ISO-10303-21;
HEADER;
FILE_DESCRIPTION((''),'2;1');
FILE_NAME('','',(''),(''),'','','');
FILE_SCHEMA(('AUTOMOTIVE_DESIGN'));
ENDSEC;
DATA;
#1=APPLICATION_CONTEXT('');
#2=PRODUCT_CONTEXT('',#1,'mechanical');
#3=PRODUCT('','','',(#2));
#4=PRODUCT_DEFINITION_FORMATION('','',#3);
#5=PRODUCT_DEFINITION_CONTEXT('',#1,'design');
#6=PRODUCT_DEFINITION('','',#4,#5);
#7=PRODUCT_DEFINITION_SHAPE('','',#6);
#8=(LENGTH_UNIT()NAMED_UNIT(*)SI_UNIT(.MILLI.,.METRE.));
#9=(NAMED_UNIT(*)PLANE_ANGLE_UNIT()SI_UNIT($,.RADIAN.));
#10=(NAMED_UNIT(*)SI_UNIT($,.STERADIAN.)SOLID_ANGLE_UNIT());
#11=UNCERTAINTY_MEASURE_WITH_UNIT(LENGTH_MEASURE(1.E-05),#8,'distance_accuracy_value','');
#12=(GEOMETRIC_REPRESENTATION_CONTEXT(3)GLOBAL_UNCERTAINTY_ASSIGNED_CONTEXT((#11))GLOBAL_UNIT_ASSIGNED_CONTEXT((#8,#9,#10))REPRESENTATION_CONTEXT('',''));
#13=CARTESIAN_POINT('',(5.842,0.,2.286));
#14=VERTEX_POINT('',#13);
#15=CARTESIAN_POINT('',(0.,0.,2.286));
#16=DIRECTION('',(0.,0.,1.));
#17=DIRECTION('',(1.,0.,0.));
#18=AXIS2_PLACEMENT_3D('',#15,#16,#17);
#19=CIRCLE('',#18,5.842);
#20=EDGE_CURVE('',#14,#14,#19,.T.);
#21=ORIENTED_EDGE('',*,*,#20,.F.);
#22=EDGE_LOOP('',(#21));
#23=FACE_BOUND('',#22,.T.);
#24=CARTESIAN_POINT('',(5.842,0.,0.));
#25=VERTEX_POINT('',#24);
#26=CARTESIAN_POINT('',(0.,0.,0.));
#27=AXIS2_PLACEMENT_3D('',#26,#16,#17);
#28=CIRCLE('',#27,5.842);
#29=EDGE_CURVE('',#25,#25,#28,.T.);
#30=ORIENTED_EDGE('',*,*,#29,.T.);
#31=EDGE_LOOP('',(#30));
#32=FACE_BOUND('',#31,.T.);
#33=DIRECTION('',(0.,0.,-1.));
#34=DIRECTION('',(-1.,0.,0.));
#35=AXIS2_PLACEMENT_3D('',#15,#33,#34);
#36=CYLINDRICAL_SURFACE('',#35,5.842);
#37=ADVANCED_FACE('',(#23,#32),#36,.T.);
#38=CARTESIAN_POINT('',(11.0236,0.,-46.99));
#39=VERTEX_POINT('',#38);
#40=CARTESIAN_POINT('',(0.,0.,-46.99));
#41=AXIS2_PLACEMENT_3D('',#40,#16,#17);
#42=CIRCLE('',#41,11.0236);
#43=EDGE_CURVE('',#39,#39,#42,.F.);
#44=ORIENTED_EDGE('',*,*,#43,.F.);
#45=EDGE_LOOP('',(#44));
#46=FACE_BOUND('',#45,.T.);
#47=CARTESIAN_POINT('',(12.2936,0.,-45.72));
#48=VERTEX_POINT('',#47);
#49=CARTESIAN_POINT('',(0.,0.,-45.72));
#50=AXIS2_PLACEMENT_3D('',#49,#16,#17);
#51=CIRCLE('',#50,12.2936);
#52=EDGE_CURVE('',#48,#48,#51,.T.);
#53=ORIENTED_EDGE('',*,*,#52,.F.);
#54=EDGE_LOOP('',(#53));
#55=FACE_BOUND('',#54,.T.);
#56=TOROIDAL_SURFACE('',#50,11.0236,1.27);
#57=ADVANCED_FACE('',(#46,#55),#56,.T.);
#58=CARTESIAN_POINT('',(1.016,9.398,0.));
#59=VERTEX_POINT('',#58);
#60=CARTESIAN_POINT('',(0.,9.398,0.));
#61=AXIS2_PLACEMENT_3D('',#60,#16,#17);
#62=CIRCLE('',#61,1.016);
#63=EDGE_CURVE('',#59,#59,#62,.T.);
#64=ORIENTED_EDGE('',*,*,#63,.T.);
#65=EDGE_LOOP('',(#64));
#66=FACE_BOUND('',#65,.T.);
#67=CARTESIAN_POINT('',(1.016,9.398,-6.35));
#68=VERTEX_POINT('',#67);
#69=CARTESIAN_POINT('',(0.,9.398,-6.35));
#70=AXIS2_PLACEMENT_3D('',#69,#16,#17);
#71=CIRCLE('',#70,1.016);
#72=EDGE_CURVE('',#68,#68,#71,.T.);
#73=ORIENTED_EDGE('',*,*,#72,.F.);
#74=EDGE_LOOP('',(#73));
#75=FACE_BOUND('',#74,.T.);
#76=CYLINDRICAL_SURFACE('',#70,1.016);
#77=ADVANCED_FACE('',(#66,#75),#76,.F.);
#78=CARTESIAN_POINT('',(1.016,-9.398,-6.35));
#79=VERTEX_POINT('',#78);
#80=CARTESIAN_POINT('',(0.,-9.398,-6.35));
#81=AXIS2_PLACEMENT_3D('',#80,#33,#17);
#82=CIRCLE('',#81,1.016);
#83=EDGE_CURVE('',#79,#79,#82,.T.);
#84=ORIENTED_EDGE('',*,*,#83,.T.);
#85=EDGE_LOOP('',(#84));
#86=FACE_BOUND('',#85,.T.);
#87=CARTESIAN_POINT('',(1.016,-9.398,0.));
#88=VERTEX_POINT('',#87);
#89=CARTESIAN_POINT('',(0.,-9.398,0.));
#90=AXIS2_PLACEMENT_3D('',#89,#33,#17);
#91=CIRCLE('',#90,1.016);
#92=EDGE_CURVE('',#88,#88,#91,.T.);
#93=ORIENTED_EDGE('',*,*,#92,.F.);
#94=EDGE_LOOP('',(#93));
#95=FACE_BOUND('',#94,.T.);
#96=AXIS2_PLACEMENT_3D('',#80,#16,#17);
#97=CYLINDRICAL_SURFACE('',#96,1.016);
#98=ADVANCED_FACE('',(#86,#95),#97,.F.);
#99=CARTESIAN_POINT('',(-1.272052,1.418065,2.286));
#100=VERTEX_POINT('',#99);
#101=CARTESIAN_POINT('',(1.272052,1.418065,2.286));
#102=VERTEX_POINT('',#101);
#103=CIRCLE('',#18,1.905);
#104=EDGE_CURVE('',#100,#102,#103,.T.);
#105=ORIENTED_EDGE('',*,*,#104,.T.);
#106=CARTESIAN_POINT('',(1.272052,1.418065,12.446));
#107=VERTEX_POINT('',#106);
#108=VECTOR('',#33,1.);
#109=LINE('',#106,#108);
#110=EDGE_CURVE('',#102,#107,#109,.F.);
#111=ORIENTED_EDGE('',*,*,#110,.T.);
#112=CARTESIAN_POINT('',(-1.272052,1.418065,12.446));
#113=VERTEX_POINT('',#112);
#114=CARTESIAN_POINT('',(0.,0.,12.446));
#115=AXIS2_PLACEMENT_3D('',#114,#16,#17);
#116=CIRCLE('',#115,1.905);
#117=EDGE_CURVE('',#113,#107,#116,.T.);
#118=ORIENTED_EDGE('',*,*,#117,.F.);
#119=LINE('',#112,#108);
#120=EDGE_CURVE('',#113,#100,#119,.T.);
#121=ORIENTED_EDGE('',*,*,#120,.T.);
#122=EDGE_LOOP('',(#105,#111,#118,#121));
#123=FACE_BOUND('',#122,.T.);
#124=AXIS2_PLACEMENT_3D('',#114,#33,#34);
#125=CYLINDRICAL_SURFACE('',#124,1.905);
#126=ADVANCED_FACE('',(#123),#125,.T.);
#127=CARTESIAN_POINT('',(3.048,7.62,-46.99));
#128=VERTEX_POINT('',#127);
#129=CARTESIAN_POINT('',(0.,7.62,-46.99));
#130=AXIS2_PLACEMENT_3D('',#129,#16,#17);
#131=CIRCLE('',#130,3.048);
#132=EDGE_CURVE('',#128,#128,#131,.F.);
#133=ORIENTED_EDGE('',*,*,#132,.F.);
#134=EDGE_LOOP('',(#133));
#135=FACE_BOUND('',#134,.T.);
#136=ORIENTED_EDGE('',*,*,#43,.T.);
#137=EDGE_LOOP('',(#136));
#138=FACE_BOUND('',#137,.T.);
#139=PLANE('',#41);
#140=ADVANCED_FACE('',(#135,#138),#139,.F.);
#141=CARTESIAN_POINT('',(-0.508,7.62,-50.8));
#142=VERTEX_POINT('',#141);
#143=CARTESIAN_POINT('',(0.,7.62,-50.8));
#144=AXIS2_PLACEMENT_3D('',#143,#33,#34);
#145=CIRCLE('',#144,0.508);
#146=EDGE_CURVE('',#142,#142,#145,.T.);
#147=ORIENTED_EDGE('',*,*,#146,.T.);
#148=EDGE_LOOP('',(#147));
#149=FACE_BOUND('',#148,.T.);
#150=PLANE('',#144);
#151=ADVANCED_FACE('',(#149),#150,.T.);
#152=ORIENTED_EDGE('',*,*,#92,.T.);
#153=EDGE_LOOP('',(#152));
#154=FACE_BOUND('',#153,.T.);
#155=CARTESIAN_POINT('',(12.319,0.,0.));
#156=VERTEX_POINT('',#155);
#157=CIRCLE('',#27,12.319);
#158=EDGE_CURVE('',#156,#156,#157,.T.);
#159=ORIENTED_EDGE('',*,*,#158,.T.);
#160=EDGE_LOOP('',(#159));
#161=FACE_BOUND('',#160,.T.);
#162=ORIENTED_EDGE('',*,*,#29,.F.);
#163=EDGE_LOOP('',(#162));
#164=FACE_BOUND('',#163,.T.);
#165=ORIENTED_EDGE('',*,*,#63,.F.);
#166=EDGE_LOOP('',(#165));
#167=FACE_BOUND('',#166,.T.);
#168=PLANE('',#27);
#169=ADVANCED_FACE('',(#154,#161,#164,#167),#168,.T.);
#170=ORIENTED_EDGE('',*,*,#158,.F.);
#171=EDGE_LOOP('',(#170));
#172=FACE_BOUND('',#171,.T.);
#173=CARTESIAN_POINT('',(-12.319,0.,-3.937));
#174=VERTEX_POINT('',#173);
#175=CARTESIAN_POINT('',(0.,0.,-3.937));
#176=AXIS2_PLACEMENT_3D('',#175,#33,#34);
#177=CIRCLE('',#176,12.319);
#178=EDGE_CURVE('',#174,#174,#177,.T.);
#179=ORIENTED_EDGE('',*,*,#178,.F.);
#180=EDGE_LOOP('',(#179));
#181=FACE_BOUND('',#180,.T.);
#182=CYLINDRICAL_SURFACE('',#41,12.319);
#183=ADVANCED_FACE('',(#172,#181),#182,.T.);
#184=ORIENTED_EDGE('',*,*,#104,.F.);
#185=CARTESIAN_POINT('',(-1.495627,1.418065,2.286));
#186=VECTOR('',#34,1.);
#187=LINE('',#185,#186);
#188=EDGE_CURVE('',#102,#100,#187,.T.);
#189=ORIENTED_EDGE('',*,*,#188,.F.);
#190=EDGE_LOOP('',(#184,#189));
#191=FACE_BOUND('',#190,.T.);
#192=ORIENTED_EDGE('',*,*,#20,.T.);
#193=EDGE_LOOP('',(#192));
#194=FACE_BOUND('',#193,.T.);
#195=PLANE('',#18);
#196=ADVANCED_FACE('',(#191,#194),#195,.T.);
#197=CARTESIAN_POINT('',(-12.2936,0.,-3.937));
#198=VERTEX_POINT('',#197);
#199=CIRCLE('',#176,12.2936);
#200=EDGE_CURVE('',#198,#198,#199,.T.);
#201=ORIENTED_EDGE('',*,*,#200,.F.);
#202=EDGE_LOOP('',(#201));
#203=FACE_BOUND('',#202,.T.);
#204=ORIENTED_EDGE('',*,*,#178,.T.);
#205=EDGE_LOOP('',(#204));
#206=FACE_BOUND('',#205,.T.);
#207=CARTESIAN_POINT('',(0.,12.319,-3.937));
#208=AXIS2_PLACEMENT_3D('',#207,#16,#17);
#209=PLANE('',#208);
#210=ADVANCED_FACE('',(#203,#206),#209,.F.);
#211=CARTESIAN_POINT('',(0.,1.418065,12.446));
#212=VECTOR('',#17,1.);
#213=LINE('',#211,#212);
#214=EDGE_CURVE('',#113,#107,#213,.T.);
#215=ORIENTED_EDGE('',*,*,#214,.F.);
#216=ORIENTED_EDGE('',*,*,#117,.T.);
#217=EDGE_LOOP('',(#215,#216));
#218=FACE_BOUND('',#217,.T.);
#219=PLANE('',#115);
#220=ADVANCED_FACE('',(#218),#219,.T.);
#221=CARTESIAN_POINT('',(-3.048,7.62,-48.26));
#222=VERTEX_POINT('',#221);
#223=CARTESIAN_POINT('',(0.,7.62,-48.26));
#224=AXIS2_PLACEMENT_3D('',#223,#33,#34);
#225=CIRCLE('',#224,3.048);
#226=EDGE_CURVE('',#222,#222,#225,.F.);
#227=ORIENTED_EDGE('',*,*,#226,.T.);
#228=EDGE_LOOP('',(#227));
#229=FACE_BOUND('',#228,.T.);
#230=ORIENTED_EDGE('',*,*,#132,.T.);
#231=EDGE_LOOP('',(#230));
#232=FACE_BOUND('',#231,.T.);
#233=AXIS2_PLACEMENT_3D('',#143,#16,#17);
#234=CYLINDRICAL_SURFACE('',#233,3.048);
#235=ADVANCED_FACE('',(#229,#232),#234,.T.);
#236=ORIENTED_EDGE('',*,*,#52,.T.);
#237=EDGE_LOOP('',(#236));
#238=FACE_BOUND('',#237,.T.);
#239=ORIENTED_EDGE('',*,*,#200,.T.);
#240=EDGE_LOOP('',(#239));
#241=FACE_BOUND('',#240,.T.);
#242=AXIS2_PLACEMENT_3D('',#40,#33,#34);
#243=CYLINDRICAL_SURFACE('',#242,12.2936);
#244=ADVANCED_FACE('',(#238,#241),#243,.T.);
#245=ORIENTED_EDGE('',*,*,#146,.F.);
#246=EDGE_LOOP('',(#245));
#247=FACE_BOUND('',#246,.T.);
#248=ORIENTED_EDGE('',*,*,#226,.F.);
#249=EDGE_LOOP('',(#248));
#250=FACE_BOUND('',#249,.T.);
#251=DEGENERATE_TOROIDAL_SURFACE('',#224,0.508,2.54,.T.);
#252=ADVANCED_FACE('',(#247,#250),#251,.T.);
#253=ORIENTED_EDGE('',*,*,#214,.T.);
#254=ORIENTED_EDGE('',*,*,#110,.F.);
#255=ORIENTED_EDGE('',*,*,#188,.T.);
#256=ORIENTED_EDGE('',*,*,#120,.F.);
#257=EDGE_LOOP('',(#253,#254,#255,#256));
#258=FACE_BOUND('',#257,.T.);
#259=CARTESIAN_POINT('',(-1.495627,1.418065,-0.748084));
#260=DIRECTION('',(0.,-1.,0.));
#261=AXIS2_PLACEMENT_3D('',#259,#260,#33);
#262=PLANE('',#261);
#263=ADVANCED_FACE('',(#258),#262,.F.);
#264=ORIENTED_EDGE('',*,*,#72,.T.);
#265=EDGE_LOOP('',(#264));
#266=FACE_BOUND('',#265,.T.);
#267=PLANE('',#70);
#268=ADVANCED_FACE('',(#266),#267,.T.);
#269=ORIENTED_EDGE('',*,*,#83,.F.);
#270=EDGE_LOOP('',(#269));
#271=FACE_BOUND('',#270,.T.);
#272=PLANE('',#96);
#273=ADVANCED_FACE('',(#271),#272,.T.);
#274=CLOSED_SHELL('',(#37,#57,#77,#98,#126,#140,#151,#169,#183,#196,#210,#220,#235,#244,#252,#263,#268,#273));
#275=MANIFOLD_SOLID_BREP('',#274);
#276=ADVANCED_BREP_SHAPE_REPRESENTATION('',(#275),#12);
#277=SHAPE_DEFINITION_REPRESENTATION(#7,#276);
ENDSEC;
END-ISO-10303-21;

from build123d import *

# Parameters (mm, degrees)
SKETCH1_R           = 12.319
BOSS_EXTRUDE1_DEPTH = 46.99
SKETCH2_R           = 5.842
BOSS_EXTRUDE2_DEPTH = 2.286
SKETCH3_R           = 1.905
BOSS_EXTRUDE3_DEPTH = 10.16
SKETCH4_W           = 43.053
SKETCH4_H           = 0.0254
FILLET1_R           = 1.27
SKETCH5_R           = 3.048
BOSS_EXTRUDE4_DEPTH = 3.81
FILLET2_R           = 2.54
SKETCH6_R           = 1.016
CUT_EXTRUDE1_DEPTH  = 6.35
SKETCH7_W           = 2.991253898
SKETCH7_H           = 0.508
CUT_EXTRUDE2_DEPTH  = 10.16


with BuildPart() as part:
    # Sketch1 → Boss-Extrude1 (new body)
    with BuildSketch(Plane.XY):
        Circle(SKETCH1_R)
    extrude(amount=-BOSS_EXTRUDE1_DEPTH)

    # Sketch2 → Boss-Extrude2 (add)
    with BuildSketch(Plane.XY):
        Circle(SKETCH2_R)
    extrude(amount=BOSS_EXTRUDE2_DEPTH)

    # Sketch3 → Boss-Extrude3 (add)
    with BuildSketch(Plane.XY.offset(2.286)):
        Circle(SKETCH3_R)
    extrude(amount=BOSS_EXTRUDE3_DEPTH)

    # Sketch4 → Cut-Revolve1 (revolve, cut)
    with BuildSketch(Plane(origin=(0, 0, 0), x_dir=(0, 0, -1), z_dir=(1, 0, 0))):
        with Locations((25.4635, 12.3063)):
            Rectangle(SKETCH4_W, SKETCH4_H)
    revolve(axis=Axis((0, 0, -46.99), (0, 0, 1)), mode=Mode.SUBTRACT)

    # Fillet1
    fillet1_edges = [part.edges().sort_by_distance(p)[0] for p in [
        (0, -12.2936, -46.99),
    ]]
    fillet(fillet1_edges, radius=FILLET1_R)

    # Sketch5 → Boss-Extrude4 (add)
    with BuildSketch(Plane(origin=(0, 0, -46.99), x_dir=(-1, 0, 0), z_dir=(0, 0, -1))):
        with Locations((0, 7.62)):
            Circle(SKETCH5_R)
    extrude(amount=BOSS_EXTRUDE4_DEPTH)

    # Fillet2
    fillet2_edges = [part.edges().sort_by_distance(p)[0] for p in [
        (3.048, 7.62, -50.8),
    ]]
    fillet(fillet2_edges, radius=FILLET2_R)

    # Sketch6 → Cut-Extrude1 (cut)
    with BuildSketch(Plane.XY):
        with Locations((0, 9.398)):
            Circle(SKETCH6_R)
    cut_extrude1 = extrude(amount=-CUT_EXTRUDE1_DEPTH, mode=Mode.SUBTRACT)

    # Mirror1: Cut-Extrude1 across plane
    add(cut_extrude1.mirror(Plane.ZX), mode=Mode.SUBTRACT)

    # Sketch7 → Cut-Extrude2 (cut)
    with BuildSketch(Plane.XY.offset(12.446)):
        with Locations((0, 1.672065055)):
            Rectangle(SKETCH7_W, SKETCH7_H)
    extrude(amount=-CUT_EXTRUDE2_DEPTH, mode=Mode.SUBTRACT)


solid = part.part
